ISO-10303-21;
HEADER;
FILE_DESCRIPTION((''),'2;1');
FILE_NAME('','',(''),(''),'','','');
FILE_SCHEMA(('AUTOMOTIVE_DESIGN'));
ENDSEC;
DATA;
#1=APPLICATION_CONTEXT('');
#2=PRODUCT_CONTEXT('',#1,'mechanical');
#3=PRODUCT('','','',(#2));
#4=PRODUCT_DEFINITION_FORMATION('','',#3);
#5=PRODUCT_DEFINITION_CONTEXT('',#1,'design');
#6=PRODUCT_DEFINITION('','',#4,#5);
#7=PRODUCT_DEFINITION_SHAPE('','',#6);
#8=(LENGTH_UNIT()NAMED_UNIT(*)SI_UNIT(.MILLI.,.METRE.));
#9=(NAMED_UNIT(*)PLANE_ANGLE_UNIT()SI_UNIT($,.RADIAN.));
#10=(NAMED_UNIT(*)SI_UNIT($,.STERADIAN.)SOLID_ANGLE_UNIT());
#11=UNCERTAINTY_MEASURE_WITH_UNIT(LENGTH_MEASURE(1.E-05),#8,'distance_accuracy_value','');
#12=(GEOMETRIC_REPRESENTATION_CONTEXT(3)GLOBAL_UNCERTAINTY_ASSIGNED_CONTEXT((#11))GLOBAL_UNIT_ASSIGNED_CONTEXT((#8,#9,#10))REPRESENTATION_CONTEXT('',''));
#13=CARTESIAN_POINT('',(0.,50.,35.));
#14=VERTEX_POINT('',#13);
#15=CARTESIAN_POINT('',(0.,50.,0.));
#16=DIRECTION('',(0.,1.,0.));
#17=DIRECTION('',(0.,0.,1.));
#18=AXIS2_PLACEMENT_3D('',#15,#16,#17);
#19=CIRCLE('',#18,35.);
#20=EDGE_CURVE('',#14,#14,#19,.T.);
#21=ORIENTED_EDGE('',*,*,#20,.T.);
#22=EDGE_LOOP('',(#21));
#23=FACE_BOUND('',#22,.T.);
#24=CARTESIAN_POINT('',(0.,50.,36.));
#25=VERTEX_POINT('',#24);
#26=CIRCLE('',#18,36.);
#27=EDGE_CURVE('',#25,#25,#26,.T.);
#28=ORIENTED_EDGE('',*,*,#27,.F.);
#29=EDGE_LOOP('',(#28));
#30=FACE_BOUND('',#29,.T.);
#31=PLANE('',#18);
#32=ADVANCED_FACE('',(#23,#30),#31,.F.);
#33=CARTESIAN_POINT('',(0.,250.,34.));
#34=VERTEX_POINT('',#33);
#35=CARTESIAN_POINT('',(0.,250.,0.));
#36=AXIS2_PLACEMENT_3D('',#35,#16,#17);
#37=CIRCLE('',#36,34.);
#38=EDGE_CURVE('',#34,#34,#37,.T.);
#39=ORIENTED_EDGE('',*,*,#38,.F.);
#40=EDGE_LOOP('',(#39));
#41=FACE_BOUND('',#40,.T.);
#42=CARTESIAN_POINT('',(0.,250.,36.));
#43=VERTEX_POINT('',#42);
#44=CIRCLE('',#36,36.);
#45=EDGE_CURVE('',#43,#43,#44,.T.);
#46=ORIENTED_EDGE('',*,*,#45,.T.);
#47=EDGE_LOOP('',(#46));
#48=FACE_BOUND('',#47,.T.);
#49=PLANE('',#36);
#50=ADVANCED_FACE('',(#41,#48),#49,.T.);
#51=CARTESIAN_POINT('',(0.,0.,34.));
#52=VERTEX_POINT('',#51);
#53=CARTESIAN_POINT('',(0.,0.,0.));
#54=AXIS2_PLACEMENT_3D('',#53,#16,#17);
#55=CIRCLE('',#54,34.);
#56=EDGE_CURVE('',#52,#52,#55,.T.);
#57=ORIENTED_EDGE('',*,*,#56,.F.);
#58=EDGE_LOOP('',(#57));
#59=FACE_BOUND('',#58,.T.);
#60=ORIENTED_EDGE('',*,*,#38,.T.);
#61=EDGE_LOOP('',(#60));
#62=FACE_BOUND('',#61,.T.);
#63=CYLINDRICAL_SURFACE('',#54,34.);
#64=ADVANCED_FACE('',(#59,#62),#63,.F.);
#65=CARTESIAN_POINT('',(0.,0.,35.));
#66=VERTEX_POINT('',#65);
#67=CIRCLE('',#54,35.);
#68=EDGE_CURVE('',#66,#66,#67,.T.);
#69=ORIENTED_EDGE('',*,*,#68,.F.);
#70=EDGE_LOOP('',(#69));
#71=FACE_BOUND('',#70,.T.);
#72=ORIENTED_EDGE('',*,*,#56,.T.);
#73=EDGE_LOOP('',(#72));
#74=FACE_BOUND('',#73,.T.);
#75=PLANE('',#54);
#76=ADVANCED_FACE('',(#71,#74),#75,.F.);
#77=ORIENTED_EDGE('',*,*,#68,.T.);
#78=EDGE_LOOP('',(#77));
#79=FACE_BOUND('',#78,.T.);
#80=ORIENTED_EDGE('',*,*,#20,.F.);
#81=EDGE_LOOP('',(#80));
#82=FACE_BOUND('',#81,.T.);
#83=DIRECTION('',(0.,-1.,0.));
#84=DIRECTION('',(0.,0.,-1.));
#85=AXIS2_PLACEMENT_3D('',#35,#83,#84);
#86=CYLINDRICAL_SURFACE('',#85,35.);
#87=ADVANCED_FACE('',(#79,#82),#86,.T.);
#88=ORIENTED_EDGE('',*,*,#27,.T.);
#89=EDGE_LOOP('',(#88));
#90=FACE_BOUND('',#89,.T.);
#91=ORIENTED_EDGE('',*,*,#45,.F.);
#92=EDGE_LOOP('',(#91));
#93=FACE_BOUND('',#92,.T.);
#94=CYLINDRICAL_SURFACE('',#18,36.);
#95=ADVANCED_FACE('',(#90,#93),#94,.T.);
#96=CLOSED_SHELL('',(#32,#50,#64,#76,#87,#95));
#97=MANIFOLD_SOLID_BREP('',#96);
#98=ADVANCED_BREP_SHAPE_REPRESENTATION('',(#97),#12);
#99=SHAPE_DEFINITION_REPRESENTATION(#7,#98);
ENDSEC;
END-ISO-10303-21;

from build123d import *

# Parameters (mm, degrees)
ESQUISSE1_R             = 35
BOSS_EXTRU_2_DEPTH      = 250
ESQUISSE4_R             = 34
ENL_V_MAT_EXTRU_3_DEPTH = 250
ESQUISSE5_R             = 36
BOSS_EXTRU_5_DEPTH      = 200
ESQUISSE6_R             = 34
ENL_V_MAT_EXTRU_4_DEPTH = 200


with BuildPart() as part:
    # Esquisse1 → Boss.-Extru.2 (new body)
    with BuildSketch(Plane(origin=(0, 0, 0), x_dir=(1, 0, 0), z_dir=(0, 1, 0))):
        with Locations(Location((0, 0, 0), (0, 0, 270))):
            Circle(ESQUISSE1_R)
    extrude(amount=BOSS_EXTRU_2_DEPTH)

    # Esquisse4 → Enlèv. mat.-Extru.3 (cut)
    with BuildSketch(Plane(origin=(0, 250, 0), x_dir=(1, 0, 0), z_dir=(0, 1, 0))):
        with Locations(Location((0, 0, 0), (0, 0, 270))):
            Circle(ESQUISSE4_R)
    extrude(amount=-ENL_V_MAT_EXTRU_3_DEPTH, mode=Mode.SUBTRACT)

    # Esquisse5 → Boss.-Extru.5 (add)
    with BuildSketch(Plane(origin=(0, 250, 0), x_dir=(1, 0, 0), z_dir=(0, 1, 0))):
        with Locations(Location((0, 0, 0), (0, 0, 270))):
            Circle(ESQUISSE5_R)
    extrude(amount=-BOSS_EXTRU_5_DEPTH)

    # Esquisse6 → Enlèv. mat.-Extru.4 (cut)
    with BuildSketch(Plane(origin=(0, 250, 0), x_dir=(1, 0, 0), z_dir=(0, 1, 0))):
        with Locations(Location((0, 0, 0), (0, 0, 270))):
            Circle(ESQUISSE6_R)
    extrude(amount=-ENL_V_MAT_EXTRU_4_DEPTH, mode=Mode.SUBTRACT)


solid = part.part
